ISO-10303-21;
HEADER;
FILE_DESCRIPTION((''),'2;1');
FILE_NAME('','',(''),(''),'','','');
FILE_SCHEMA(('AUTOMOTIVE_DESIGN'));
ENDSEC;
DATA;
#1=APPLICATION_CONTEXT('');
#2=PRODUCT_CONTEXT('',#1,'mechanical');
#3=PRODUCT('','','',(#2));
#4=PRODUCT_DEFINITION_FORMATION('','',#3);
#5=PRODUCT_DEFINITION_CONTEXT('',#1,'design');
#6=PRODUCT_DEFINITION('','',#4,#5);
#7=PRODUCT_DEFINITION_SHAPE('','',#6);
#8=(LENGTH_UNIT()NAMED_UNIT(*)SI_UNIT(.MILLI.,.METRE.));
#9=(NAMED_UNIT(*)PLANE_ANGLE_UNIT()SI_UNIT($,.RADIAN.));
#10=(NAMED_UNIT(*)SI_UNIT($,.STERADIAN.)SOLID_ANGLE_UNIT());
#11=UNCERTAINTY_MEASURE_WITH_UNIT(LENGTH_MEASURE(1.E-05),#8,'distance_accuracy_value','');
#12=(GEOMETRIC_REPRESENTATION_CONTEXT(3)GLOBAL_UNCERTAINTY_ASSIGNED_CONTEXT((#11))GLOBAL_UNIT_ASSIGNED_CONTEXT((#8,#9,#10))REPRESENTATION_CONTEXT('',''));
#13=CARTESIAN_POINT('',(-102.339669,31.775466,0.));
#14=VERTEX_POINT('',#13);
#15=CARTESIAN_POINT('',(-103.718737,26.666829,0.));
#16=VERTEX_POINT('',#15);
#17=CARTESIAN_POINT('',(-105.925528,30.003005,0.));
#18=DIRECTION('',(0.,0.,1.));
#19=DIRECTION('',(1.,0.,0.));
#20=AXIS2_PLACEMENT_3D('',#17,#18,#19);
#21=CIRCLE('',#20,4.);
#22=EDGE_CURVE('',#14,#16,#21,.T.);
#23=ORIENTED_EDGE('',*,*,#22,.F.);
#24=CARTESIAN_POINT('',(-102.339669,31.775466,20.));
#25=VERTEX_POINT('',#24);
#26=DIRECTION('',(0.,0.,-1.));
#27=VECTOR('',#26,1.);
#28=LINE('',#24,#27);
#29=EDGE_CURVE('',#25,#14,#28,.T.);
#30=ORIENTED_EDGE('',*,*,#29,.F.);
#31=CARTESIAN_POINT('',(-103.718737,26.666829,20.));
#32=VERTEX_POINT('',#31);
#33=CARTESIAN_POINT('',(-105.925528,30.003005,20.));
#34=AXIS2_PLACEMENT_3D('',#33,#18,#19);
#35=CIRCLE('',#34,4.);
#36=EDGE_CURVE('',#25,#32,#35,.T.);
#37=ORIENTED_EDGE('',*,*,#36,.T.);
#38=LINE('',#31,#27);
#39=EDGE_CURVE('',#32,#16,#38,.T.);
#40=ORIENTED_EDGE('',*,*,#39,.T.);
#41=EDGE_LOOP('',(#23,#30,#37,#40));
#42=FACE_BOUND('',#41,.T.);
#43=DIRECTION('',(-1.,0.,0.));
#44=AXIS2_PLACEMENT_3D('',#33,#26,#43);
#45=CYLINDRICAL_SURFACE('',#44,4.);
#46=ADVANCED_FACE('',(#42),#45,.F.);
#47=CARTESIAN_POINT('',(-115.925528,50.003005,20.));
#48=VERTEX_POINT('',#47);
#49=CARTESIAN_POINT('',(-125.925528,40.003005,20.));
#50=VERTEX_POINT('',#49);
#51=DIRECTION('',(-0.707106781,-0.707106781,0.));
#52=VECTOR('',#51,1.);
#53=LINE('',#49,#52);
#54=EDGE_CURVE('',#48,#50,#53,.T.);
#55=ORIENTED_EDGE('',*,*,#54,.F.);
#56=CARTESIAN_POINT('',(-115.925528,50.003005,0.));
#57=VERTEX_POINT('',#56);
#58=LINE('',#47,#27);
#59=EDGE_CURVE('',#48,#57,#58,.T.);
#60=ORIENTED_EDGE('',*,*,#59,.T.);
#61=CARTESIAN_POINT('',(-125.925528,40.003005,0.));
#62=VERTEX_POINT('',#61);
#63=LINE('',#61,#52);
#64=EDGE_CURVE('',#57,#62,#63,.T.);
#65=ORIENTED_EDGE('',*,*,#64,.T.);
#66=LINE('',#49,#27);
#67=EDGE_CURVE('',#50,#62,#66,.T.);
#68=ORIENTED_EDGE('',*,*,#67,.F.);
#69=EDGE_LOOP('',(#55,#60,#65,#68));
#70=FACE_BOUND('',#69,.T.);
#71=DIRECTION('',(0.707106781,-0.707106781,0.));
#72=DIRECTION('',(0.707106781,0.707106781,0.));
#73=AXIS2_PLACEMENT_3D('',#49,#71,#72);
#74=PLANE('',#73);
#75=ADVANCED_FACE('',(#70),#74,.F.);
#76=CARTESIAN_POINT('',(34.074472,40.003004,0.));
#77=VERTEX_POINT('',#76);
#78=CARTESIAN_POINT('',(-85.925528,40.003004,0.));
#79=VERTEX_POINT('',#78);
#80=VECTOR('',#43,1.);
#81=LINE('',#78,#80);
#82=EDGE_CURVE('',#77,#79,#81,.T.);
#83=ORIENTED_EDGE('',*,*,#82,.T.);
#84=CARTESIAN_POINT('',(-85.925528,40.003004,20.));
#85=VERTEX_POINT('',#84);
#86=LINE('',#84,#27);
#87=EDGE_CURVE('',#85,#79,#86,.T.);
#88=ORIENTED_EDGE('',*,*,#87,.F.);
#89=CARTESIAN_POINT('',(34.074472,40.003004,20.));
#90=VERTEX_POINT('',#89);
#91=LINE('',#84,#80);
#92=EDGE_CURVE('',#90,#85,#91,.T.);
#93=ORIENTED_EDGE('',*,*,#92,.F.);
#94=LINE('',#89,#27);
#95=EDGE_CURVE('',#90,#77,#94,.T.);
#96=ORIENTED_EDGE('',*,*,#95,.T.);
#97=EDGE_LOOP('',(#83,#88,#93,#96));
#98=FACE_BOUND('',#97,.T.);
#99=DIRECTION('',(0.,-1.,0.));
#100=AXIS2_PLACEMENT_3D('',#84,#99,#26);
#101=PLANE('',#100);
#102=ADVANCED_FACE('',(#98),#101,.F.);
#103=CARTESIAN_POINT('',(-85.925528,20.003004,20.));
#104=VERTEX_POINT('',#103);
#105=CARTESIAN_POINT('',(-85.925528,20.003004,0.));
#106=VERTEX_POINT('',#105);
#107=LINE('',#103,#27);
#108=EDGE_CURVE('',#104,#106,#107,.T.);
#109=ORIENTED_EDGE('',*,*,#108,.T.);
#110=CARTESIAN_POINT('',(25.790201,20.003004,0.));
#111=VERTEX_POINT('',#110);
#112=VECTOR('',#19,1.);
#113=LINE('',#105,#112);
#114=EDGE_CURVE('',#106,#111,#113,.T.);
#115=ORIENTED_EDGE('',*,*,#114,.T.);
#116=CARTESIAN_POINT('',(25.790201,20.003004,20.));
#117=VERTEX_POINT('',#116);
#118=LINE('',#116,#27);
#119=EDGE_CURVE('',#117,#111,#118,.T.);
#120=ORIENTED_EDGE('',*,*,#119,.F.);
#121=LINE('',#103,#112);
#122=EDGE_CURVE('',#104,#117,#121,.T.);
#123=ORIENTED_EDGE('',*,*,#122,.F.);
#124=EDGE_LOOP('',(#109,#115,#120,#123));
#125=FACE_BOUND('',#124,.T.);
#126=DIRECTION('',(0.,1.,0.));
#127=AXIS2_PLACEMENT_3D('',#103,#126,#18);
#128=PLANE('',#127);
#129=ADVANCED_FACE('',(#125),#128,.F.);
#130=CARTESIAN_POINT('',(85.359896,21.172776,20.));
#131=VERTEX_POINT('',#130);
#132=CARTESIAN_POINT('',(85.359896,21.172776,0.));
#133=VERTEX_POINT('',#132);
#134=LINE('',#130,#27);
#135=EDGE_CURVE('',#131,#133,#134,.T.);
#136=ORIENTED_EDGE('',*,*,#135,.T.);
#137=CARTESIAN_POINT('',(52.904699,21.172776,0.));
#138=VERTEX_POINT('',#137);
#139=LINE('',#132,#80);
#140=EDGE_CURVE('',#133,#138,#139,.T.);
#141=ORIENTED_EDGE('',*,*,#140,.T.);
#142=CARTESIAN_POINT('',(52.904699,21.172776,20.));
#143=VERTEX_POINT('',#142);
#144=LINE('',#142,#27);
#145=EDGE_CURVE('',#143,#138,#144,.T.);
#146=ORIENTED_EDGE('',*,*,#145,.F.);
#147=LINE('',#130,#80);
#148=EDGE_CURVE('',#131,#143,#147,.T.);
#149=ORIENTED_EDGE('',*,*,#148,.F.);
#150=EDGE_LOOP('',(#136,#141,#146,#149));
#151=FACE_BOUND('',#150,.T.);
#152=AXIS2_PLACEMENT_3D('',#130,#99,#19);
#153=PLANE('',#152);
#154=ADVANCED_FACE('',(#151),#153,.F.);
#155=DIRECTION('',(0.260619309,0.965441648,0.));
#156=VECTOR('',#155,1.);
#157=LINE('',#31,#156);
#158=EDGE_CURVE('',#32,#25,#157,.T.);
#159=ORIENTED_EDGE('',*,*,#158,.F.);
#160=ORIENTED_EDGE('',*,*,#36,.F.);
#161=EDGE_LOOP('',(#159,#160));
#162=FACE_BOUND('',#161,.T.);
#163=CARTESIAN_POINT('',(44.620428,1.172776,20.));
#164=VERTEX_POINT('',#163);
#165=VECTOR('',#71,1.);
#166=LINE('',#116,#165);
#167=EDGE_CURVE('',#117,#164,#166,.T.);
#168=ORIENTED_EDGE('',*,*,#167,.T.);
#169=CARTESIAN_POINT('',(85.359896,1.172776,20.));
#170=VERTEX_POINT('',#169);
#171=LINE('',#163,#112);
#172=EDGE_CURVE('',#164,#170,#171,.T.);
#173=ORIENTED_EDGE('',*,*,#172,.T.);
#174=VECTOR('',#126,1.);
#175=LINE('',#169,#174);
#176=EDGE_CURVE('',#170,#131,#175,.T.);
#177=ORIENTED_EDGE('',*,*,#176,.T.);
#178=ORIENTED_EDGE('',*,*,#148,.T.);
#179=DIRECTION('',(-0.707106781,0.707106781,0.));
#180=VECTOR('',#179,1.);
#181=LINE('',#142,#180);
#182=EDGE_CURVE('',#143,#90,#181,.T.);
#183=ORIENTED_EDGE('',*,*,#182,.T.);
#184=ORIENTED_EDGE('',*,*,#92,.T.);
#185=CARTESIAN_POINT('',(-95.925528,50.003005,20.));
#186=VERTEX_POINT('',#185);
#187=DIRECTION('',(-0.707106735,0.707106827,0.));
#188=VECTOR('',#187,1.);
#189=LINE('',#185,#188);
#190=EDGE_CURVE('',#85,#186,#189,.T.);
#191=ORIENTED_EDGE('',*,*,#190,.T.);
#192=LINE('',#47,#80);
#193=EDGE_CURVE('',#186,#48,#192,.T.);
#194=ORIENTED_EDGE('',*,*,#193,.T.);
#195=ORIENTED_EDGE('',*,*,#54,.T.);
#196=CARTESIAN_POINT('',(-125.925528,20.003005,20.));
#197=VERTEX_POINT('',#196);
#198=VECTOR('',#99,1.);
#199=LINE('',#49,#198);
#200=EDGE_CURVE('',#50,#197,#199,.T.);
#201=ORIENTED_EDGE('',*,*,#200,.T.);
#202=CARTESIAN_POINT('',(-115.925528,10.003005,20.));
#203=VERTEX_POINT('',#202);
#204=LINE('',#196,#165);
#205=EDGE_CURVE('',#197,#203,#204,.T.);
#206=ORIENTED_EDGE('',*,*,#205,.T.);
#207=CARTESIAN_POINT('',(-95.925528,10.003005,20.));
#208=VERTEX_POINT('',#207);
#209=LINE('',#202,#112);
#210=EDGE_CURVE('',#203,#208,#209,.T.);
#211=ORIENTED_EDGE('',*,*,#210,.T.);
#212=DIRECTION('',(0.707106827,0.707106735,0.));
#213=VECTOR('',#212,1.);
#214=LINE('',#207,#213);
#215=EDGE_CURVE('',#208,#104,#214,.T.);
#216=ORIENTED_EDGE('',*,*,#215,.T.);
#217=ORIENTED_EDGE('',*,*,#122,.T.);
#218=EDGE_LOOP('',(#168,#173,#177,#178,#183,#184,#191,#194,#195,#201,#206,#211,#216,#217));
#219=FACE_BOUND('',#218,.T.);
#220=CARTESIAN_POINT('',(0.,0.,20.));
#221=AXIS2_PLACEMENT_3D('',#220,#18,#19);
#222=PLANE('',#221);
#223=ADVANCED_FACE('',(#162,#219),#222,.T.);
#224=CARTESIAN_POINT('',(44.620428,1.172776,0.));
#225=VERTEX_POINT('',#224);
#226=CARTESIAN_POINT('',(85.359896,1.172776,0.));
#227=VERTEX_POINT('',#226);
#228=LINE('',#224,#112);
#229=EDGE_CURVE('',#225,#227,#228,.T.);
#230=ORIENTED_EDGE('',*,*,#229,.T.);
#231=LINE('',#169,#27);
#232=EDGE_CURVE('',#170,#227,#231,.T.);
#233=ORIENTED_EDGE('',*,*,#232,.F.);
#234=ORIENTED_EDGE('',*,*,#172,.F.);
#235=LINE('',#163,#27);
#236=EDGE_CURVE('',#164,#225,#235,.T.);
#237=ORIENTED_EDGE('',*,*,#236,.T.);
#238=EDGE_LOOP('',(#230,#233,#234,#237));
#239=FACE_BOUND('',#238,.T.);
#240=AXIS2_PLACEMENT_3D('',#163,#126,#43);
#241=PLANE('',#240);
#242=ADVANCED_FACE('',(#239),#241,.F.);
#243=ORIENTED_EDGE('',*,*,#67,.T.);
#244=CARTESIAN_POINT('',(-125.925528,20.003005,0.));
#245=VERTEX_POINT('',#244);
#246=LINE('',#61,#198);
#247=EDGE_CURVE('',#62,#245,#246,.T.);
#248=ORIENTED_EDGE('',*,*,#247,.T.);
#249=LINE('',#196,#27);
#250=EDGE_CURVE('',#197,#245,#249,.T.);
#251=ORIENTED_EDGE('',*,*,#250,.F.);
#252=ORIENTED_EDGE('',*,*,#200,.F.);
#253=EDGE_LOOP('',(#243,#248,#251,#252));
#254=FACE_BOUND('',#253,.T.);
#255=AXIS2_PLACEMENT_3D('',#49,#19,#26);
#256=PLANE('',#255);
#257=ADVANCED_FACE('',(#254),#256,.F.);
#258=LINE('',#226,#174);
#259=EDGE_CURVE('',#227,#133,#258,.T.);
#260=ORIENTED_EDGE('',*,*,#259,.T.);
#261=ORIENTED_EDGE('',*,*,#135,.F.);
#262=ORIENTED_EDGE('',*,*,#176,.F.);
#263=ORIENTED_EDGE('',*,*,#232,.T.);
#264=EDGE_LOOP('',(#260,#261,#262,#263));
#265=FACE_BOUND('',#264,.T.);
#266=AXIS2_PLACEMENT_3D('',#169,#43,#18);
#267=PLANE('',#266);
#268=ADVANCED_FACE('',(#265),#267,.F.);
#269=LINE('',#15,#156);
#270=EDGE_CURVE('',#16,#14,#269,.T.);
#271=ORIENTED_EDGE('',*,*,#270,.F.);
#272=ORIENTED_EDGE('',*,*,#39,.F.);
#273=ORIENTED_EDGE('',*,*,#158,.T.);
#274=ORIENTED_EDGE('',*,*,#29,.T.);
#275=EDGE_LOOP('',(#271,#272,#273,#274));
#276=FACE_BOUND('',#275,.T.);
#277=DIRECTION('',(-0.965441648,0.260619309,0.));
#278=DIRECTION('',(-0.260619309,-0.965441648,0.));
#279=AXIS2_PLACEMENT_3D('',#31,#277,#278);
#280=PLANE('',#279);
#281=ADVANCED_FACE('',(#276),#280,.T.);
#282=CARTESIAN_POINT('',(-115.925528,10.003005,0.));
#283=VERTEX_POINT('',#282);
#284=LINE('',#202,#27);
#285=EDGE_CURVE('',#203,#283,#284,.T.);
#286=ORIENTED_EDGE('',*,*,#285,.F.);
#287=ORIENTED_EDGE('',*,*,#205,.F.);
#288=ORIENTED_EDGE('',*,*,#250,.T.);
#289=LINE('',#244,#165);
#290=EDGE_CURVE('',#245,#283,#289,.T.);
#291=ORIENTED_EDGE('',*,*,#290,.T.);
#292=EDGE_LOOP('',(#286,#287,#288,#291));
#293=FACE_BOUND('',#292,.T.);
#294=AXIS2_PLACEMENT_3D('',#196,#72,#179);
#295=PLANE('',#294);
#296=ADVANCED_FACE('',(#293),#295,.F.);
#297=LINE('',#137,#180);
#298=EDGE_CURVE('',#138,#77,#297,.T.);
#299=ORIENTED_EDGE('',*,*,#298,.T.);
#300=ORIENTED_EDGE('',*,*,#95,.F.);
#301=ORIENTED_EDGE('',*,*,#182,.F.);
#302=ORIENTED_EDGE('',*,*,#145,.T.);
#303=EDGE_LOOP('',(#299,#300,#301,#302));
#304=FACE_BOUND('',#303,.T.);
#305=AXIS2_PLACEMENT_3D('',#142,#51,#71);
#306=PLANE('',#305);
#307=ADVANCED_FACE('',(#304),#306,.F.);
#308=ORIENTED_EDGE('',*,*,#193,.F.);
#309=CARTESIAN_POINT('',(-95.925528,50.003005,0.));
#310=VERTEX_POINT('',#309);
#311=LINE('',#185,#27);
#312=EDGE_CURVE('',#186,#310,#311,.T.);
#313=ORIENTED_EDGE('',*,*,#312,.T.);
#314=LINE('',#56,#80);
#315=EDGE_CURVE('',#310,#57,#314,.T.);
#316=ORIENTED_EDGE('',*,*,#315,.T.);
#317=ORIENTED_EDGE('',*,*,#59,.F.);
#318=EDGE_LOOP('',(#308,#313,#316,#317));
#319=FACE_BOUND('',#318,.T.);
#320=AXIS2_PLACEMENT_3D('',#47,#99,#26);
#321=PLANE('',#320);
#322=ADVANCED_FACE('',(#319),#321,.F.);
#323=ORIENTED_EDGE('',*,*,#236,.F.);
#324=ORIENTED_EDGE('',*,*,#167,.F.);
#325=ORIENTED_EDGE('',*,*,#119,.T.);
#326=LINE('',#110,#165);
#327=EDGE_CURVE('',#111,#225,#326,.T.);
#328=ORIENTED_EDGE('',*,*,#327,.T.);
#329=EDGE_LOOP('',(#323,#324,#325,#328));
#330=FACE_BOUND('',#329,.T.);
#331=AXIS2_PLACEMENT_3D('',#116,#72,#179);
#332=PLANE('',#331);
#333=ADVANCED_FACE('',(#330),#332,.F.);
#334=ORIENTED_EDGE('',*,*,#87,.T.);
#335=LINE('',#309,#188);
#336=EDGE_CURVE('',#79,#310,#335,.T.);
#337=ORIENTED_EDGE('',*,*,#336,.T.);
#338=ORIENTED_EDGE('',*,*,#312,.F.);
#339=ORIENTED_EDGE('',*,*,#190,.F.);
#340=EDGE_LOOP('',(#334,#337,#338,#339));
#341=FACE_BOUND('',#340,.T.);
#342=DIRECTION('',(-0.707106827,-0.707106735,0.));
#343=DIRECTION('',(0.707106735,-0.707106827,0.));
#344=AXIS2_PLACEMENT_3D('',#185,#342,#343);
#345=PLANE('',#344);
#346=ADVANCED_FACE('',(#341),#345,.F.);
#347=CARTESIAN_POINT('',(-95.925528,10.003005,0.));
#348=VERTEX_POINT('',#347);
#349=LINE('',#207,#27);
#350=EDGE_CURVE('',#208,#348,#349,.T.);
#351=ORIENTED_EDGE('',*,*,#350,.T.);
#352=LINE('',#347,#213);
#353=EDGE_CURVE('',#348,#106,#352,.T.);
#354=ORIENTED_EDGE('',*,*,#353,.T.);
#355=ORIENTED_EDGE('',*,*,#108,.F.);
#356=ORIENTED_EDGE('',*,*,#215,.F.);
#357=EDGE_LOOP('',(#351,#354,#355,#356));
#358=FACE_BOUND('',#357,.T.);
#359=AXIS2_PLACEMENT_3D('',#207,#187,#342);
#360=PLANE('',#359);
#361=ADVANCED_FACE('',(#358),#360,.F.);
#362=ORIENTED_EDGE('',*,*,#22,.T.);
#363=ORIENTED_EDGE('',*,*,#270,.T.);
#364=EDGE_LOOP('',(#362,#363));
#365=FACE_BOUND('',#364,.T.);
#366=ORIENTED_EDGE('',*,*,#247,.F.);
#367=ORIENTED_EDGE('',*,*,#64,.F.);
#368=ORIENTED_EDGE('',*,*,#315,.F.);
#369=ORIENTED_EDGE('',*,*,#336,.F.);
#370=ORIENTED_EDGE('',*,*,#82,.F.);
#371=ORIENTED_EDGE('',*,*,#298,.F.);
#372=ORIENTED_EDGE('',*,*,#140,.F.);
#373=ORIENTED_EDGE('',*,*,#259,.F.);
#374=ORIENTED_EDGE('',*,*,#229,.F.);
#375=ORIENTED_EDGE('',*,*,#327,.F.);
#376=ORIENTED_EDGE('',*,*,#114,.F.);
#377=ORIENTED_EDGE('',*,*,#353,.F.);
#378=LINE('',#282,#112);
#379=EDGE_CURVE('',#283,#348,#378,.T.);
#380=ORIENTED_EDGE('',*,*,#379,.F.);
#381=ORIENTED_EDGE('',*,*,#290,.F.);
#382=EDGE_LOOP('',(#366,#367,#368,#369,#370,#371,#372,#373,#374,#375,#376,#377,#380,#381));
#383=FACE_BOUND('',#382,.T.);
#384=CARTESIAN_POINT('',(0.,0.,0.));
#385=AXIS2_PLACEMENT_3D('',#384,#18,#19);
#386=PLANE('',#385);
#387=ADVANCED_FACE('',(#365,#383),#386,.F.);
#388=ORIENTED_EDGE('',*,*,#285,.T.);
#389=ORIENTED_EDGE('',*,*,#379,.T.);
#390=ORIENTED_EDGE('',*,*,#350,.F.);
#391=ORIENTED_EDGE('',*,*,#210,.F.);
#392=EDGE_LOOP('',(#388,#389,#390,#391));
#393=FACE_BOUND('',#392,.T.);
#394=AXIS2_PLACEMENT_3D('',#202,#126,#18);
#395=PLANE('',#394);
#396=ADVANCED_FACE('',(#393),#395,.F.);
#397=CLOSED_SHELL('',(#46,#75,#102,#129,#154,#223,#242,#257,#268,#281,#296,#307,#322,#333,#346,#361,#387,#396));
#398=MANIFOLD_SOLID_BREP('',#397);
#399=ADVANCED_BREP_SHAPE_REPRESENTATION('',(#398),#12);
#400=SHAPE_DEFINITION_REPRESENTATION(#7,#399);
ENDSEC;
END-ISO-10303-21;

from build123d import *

# Parameters (mm, degrees)
BOSS_EXTRUDE1_DEPTH = 20


with BuildPart() as part:
    # Sketch1 → Boss-Extrude1 (new body)
    with BuildSketch(Plane.XY):
        Polygon((-125.92552771, 40.003004944), (-115.92552771, 50.003004944), (-95.92552771, 50.003004944), (-85.92552771, 40.003003647), (34.07447229, 40.003003647), (52.904699458, 21.17277648), (85.359896376, 21.17277648), (85.359896376, 1.17277648), (44.62042821, 1.17277648), (25.790201043, 20.003003647), (-85.92552771, 20.003003647), (-95.92552771, 10.003004944), (-115.92552771, 10.003004944), (-125.92552771, 20.003004944), align=None)
        with BuildLine():
            Line((-103.718736643, 26.666828512), (-102.339668887, 31.775465524))
            ThreePointArc((-102.339668887, 31.775465524), (-109.787294302, 31.04548218), (-103.718736643, 26.666828512))
        make_face(mode=Mode.SUBTRACT)
    extrude(amount=BOSS_EXTRUDE1_DEPTH)


solid = part.part
